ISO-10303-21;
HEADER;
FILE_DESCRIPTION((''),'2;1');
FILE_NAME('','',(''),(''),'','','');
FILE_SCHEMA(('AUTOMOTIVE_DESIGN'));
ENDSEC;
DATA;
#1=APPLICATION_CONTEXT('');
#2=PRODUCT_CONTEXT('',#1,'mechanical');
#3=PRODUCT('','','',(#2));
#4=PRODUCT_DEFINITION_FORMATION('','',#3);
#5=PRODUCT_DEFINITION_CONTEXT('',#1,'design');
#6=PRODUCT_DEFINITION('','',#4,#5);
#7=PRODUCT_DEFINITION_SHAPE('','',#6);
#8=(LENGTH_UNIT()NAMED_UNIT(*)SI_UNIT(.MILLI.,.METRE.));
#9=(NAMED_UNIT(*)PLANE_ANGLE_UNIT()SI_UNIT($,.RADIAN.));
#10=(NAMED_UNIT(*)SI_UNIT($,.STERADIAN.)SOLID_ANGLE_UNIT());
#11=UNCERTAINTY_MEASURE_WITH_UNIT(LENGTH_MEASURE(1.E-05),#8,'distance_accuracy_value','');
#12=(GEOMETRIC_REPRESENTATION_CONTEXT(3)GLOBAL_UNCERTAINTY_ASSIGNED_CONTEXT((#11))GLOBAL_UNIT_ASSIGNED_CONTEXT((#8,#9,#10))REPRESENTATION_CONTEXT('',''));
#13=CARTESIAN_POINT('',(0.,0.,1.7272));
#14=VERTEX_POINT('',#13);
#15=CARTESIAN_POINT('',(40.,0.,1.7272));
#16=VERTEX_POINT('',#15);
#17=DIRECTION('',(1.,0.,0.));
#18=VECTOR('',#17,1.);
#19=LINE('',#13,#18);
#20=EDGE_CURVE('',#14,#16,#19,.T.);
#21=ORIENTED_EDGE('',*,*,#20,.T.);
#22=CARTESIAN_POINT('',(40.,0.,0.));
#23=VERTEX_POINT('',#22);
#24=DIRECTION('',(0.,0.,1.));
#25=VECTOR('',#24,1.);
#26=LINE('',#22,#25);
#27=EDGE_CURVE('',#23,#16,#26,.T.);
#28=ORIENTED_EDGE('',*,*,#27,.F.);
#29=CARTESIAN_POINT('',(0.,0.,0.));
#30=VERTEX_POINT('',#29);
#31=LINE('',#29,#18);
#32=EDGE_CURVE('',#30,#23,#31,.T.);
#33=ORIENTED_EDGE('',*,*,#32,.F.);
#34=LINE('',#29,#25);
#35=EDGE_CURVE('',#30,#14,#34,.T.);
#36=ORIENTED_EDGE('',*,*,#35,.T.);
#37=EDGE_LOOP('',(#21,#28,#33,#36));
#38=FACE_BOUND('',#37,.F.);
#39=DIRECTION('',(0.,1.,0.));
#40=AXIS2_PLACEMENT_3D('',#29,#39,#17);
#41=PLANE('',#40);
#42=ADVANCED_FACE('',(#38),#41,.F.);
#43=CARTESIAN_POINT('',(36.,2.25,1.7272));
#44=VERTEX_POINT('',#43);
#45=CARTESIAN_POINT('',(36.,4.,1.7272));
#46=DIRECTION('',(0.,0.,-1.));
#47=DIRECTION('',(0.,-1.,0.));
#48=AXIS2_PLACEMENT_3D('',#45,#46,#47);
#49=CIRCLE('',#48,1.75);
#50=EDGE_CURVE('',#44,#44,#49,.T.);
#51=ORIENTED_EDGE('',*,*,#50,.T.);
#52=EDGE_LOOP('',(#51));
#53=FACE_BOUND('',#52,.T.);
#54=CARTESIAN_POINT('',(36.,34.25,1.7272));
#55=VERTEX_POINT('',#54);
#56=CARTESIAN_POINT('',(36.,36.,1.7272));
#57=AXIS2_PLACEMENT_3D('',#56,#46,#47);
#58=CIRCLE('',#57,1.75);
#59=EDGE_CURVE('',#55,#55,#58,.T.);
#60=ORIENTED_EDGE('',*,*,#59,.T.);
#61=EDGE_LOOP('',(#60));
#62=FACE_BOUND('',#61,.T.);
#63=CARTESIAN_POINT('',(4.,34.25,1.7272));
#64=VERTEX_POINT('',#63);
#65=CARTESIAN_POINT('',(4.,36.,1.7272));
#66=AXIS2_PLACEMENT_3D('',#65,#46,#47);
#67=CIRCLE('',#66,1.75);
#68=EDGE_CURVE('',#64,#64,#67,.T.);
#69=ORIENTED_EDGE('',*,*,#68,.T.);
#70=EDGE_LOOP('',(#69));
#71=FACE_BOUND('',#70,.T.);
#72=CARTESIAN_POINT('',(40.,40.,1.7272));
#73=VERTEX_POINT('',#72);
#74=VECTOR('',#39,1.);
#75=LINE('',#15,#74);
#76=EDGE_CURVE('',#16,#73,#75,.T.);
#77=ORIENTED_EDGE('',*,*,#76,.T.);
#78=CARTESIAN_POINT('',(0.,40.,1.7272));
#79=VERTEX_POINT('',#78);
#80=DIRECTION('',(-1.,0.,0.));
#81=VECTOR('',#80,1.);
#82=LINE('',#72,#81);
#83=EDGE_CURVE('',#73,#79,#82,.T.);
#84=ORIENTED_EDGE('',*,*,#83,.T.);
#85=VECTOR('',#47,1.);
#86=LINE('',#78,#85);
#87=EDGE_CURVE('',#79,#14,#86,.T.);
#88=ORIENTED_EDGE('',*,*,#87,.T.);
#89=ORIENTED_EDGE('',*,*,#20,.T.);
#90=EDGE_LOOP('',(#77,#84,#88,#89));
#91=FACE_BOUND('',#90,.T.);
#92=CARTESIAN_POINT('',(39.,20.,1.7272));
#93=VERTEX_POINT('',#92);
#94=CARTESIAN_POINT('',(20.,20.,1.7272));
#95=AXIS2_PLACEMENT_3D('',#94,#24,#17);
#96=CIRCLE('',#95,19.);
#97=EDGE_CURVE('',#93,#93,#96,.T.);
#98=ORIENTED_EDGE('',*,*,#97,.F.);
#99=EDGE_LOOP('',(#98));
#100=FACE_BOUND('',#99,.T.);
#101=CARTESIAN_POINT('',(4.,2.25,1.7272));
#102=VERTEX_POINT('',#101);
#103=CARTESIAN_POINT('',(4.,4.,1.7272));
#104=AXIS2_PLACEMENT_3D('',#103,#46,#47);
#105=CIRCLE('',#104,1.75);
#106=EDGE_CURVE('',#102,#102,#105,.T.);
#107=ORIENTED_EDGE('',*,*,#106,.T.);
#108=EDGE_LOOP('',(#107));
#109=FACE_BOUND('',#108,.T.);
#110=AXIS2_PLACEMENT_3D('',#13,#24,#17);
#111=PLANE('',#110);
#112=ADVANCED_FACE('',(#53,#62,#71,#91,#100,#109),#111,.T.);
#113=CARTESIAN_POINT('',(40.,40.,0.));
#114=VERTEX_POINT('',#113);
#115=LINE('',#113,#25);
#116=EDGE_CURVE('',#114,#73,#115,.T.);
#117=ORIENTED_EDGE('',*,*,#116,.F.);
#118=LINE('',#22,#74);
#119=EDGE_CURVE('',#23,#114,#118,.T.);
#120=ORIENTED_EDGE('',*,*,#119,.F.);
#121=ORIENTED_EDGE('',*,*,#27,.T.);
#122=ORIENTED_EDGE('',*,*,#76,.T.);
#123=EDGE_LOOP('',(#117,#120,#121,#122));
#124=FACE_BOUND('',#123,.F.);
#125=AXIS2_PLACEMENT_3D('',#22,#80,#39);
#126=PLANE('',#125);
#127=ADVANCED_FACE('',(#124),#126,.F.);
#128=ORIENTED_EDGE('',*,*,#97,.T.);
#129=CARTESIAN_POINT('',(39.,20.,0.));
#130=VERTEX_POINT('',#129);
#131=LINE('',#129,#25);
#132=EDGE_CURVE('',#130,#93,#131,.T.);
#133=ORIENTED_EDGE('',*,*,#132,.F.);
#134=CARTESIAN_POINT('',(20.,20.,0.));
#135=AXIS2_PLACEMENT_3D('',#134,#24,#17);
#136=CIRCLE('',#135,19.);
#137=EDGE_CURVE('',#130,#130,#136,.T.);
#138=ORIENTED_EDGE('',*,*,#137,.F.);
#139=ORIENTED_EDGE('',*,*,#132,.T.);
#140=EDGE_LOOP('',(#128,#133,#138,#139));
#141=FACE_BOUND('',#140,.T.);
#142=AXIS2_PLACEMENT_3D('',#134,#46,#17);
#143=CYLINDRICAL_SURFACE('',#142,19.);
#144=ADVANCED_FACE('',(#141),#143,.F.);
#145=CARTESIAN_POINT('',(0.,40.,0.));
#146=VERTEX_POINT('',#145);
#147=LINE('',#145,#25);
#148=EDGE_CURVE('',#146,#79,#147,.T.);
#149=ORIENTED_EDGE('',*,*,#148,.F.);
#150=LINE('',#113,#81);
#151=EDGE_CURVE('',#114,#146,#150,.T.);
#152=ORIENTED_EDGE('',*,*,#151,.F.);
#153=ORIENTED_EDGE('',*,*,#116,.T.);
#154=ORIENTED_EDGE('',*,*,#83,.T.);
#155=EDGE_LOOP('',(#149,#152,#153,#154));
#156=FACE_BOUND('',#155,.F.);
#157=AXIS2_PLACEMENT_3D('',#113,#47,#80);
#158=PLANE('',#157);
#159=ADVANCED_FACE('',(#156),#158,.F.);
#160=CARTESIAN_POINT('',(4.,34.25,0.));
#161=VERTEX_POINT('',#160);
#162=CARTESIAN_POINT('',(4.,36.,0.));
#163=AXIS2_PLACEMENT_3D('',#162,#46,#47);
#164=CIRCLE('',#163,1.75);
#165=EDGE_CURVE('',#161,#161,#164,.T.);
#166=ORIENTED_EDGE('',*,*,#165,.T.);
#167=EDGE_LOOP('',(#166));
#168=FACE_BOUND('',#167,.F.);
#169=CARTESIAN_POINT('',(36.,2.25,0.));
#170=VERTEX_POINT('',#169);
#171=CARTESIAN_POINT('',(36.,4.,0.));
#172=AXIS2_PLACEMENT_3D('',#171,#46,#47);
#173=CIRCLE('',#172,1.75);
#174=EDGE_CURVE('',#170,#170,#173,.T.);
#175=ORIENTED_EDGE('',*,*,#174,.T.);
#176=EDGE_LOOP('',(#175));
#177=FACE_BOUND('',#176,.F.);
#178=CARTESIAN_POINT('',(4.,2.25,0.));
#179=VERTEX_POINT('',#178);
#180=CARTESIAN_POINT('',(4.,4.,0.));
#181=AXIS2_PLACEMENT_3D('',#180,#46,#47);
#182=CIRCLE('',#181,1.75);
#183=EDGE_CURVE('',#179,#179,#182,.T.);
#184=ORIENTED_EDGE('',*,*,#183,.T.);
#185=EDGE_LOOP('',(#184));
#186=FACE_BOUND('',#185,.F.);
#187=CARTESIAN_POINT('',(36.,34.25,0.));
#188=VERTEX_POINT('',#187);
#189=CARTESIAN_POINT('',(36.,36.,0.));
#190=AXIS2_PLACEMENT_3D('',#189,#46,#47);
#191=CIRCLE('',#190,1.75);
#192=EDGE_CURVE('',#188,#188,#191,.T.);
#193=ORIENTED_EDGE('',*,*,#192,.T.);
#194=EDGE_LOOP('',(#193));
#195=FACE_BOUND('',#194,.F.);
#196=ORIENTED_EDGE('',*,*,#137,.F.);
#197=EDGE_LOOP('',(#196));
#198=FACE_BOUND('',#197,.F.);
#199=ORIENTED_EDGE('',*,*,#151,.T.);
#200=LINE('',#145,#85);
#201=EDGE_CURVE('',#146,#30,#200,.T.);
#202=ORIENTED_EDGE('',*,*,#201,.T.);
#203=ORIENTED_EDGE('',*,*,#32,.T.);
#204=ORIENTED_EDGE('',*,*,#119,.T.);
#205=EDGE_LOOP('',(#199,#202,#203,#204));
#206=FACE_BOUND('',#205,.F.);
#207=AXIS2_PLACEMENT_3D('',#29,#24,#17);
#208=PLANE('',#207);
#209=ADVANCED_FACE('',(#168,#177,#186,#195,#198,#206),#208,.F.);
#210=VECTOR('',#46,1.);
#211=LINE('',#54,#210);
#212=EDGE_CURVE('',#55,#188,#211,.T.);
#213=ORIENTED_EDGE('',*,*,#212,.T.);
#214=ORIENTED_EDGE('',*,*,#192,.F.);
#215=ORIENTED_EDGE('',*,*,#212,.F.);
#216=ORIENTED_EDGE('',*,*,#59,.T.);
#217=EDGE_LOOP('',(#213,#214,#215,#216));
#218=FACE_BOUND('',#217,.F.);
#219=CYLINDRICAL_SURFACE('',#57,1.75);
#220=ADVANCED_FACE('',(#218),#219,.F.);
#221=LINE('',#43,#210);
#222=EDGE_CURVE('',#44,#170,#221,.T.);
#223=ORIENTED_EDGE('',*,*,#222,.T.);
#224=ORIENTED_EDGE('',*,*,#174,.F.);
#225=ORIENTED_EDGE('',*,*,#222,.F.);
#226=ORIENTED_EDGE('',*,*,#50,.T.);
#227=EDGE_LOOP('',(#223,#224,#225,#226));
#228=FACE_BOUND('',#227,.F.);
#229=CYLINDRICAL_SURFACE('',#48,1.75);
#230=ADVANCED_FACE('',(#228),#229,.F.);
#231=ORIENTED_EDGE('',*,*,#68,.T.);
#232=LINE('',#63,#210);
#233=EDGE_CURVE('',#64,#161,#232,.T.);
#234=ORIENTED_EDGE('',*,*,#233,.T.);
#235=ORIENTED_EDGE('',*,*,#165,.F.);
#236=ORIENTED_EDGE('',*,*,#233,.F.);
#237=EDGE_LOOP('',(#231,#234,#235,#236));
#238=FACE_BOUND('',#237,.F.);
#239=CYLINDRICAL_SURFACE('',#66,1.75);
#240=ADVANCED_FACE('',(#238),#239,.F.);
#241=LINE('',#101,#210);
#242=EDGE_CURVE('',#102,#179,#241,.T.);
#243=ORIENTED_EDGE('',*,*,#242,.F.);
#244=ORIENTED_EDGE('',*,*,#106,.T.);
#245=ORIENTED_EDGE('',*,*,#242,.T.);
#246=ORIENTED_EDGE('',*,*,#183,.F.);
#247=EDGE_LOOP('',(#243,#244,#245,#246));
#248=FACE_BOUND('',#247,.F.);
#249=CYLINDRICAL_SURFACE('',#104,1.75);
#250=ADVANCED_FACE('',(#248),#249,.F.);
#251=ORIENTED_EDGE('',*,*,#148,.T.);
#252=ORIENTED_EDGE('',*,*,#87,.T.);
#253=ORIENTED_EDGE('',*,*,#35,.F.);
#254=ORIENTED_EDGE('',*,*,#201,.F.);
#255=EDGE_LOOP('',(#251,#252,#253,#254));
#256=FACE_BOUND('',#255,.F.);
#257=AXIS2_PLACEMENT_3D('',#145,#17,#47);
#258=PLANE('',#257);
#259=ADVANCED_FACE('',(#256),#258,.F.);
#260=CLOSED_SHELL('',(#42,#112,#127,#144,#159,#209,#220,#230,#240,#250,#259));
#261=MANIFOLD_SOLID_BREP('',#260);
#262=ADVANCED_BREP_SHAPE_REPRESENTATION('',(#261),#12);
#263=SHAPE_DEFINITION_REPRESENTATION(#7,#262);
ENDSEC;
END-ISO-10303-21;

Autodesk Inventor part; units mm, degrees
ref_plane "YZ Plane" through (0, 0, 0) normal (1, 0, 0) x (0, 1, 0)
ref_plane "XZ Plane" through (0, 0, 0) normal (0, 1, 0) x (-1, 0, 0)
ref_plane "XY Plane" through (0, 0, 0) normal (0, 0, 1) x (1, 0, 0)
sketch "Sketch1" plane through (0, 0, 0) normal (0, 0, 1) x (1, 0, 0)
  line L0 (0, 0) -> (40, 0)
  line L1 (40, 0) -> (40, 40)
  line L2 (40, 40) -> (0, 40)
  line L3 (0, 40) -> (0, 0)
  circle A0 centre (20, 20) radius 19
  point P0 (20, 0)
  point P1 (40, 20)
  dimension "d0" = 40
  dimension "d1" = 40
  dimension "d2" = 38
extrude "Extrusion1" add sketch "Sketch1" along normal blind 1.7272
sketch "Sketch2" plane through (0, 0, 1.7272) normal (0, 0, 1) x (1, 0, 0)
  point P0 (0, 0)
sketch "Sketch3" plane through (0, 0, 1.7272) normal (0, 0, 1) x (1, 0, 0)
  line L0 (0, 40) -> (0, 0) construction
  line L1 (0, 0) -> (40, 0) construction
  point P0 (4, 36)
  point P1 (36, 36)
  point P2 (36, 4)
  point P3 (4, 4)
  point P4 (20, 20)
  dimension "d5" = 32
  dimension "d6" = 32
  dimension "d7" = 32
  dimension "d8" = 20
  dimension "d9" = 20
  dimension "d10" = 16
  dimension "d11" = 16
hole "Hole1" at (36, 36, 1.7272) at (4, 36, 1.7272) at (4, 4, 1.7272) at (36, 4, 1.7272) direction (0, 0, -1) diameter 3.5 end through all
properties part number "FanLip"
